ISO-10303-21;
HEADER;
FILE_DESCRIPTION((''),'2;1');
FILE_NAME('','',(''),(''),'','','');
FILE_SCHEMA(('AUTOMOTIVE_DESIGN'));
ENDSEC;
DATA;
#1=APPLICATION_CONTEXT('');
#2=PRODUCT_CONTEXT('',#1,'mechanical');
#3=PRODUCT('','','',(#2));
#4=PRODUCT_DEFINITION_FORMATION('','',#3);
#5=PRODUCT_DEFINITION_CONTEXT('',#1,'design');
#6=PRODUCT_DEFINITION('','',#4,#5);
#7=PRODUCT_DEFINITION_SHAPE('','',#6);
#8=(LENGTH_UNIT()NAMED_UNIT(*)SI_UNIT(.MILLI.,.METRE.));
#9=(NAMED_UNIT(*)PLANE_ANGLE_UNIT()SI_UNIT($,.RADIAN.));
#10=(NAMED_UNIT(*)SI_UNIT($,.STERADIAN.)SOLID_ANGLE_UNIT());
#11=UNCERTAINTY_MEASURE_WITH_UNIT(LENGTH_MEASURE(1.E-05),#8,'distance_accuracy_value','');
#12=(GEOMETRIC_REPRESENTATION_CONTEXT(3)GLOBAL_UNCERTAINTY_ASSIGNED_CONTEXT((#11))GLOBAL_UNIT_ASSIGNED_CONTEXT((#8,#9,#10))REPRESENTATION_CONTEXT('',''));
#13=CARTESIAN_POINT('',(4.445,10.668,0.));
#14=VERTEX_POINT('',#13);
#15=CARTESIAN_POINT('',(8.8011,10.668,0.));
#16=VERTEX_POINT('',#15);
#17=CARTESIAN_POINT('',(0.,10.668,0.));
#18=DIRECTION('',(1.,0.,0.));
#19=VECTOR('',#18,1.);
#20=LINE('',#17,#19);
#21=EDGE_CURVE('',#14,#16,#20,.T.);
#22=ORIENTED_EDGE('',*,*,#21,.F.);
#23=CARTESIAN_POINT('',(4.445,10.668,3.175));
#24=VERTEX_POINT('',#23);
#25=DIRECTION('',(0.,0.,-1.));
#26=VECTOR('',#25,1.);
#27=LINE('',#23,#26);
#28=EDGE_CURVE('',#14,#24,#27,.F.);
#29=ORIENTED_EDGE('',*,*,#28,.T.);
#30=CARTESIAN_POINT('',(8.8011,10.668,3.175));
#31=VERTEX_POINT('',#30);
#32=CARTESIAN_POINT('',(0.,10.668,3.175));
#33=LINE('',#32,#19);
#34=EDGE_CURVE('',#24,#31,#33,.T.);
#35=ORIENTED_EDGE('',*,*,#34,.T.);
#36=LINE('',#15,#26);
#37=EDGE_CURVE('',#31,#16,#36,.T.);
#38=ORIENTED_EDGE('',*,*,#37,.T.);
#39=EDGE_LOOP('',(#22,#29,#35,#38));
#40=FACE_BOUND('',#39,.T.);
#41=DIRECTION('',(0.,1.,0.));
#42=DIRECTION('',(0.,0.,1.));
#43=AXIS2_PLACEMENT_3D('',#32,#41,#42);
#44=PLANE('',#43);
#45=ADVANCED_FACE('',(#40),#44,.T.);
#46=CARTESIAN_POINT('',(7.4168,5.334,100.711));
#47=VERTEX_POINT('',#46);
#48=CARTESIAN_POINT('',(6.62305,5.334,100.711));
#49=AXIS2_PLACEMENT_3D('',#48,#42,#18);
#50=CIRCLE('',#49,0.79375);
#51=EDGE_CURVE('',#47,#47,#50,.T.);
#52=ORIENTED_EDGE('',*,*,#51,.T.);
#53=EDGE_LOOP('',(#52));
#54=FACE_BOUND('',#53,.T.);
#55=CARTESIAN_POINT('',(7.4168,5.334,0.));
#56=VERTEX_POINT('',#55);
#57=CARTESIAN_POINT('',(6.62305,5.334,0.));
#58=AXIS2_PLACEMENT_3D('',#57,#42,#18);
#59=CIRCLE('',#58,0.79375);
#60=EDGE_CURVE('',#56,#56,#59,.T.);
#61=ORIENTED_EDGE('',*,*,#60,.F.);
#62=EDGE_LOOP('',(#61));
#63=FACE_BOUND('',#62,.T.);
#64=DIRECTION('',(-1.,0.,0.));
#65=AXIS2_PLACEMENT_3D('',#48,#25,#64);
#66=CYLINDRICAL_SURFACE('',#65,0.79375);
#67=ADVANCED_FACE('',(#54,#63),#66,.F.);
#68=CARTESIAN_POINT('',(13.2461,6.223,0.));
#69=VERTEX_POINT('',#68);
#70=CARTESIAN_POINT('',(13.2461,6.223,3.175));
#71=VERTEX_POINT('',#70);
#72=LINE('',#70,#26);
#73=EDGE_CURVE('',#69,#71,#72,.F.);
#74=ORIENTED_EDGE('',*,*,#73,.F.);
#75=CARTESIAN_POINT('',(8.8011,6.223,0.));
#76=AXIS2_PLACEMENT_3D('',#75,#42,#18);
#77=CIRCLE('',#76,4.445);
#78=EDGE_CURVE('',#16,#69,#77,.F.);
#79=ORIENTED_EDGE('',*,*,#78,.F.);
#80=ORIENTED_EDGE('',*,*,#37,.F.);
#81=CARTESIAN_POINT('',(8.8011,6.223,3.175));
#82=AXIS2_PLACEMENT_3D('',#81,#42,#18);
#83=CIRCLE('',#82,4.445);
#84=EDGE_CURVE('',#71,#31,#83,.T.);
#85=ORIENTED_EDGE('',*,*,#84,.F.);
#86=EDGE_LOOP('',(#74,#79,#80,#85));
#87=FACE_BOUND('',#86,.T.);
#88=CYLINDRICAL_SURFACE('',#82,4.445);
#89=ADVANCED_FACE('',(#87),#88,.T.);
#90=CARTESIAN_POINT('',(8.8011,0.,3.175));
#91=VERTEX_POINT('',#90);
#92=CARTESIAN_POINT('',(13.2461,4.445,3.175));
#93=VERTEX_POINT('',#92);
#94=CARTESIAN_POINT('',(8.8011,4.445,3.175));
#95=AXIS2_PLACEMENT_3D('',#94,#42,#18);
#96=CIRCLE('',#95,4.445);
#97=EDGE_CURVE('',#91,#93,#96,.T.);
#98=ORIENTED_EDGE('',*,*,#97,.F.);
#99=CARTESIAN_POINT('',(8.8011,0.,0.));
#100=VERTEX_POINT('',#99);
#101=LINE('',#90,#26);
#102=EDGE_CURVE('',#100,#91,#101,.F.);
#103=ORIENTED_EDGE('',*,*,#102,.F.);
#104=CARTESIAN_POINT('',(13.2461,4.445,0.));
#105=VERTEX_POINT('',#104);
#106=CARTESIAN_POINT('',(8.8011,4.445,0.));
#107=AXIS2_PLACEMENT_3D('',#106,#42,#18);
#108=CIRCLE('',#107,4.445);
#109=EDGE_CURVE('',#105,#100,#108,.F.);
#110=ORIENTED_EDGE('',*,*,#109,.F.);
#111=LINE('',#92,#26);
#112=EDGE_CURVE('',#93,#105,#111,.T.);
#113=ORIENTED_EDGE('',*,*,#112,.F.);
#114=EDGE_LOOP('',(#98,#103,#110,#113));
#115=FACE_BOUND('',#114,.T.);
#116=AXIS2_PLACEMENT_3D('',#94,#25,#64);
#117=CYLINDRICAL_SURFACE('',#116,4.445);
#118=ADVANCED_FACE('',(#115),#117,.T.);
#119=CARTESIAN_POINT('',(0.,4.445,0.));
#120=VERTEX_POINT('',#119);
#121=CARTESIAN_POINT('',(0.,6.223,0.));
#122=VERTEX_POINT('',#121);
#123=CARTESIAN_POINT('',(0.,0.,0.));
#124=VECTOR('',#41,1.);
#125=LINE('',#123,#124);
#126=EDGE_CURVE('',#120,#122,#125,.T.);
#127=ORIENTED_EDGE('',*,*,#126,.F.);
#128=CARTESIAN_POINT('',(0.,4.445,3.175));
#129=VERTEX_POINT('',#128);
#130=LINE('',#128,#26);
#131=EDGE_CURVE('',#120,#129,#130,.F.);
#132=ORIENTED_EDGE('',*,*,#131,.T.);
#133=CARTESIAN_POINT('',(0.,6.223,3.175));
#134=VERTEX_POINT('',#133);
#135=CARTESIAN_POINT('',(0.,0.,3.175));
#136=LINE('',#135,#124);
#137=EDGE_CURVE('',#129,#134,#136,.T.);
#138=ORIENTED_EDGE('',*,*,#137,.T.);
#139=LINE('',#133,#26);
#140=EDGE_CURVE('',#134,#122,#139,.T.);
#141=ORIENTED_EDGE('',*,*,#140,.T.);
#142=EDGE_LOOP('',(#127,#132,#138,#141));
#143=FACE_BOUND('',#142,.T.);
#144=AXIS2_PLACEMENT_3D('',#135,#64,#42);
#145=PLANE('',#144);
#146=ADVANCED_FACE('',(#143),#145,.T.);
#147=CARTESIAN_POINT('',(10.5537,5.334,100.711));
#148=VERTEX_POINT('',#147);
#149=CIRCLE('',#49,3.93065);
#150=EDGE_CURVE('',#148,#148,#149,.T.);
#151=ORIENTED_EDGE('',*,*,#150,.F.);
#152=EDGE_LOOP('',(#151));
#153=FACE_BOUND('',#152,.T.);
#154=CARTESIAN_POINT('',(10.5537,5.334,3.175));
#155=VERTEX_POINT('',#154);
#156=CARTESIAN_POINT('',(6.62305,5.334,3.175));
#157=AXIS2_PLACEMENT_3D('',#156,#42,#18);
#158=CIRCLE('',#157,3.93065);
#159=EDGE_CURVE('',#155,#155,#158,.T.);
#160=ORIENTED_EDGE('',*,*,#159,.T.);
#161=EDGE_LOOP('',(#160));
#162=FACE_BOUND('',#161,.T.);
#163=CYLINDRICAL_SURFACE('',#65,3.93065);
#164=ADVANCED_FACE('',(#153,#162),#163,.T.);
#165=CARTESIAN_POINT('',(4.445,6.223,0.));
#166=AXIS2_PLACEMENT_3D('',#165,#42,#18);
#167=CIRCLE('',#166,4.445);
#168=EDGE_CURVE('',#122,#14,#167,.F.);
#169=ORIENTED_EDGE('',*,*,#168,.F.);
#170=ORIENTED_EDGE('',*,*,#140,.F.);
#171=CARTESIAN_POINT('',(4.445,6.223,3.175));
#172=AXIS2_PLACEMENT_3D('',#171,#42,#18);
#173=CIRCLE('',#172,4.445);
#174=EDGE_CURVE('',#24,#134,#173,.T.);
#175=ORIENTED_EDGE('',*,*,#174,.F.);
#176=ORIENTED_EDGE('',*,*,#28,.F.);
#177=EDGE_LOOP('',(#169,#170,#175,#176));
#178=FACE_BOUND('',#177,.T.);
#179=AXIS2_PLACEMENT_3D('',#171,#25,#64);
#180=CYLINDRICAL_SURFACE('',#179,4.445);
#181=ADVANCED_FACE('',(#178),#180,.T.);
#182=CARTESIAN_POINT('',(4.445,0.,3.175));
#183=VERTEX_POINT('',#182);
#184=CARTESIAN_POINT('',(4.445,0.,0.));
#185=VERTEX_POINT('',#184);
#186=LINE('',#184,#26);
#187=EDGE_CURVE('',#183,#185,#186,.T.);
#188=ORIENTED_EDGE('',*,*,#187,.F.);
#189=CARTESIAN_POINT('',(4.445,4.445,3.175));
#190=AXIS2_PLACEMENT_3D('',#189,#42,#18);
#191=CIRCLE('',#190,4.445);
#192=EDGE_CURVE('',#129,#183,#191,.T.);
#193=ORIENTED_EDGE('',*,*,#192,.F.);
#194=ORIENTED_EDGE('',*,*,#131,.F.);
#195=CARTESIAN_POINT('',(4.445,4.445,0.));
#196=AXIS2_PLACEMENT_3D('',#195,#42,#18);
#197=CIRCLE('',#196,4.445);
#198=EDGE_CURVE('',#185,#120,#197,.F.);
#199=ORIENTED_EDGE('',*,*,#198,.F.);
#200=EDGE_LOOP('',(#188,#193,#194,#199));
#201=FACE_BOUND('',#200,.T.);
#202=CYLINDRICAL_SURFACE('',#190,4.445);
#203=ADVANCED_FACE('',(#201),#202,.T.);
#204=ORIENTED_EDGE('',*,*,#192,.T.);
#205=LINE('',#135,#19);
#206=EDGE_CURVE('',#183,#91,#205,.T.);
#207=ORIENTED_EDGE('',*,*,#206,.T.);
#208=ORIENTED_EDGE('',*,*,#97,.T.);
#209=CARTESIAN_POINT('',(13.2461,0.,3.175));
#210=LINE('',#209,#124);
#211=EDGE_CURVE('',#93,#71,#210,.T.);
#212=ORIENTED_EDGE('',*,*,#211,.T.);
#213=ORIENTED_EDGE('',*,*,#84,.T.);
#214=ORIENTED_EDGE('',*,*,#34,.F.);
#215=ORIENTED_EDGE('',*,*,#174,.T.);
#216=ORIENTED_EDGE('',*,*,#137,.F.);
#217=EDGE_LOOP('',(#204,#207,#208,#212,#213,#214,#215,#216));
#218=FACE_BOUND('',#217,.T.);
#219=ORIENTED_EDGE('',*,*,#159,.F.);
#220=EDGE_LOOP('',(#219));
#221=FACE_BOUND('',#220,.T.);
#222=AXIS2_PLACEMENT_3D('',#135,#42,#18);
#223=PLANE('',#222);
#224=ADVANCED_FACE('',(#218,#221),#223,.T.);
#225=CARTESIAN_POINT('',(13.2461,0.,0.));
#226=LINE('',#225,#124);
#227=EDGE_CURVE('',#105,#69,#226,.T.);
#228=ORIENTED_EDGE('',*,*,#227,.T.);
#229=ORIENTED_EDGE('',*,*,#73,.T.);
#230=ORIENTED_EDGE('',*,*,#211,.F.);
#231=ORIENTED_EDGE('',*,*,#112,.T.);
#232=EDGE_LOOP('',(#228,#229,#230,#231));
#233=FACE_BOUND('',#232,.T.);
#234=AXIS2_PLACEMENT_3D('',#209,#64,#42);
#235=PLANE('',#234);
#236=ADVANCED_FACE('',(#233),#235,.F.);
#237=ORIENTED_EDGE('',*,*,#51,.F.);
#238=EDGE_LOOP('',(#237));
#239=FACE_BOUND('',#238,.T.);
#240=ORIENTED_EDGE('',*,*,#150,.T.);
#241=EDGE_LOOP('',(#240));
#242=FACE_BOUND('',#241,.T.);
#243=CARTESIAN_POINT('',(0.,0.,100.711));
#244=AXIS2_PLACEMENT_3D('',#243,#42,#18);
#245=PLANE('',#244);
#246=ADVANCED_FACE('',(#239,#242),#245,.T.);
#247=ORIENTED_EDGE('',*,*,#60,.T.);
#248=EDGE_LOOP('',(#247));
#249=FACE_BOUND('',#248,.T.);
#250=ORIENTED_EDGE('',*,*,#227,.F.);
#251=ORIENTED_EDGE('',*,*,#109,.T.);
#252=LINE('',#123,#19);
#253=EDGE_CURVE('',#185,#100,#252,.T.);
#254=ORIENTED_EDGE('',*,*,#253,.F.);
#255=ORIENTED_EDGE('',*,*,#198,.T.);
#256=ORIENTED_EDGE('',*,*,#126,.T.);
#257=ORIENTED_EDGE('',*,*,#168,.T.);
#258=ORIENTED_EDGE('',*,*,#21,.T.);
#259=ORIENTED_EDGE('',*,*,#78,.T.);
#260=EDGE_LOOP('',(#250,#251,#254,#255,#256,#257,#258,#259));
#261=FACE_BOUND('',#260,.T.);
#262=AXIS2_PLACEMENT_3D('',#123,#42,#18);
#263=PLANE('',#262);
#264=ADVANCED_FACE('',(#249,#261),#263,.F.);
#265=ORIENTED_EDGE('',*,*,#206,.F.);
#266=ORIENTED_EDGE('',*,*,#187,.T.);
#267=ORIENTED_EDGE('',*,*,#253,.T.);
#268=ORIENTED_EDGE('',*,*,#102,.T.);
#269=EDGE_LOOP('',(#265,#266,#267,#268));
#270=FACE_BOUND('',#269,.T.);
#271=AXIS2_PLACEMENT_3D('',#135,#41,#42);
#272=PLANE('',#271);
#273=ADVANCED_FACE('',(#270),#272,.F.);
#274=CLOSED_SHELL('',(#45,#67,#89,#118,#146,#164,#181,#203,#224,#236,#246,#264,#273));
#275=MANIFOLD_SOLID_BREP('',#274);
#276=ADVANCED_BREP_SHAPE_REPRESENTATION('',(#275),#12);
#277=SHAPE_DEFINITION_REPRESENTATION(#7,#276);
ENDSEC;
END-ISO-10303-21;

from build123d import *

# Parameters (mm, degrees)
SKETCH1_W           = 13.2461
SKETCH1_H           = 10.668
SKETCH1_R           = 3.93065
BOSS_EXTRUDE1_DEPTH = 3.175
SKETCH1_2_R         = 3.93065
SKETCH1_2_R_2       = 0.79375
BOSS_EXTRUDE2_DEPTH = 100.711
FILLET1_R           = 4.445


with BuildPart() as part:
    # Sketch1 → Boss-Extrude1 (new body)
    with BuildSketch(Plane.XY):
        with Locations((6.62305, 5.334)):
            Rectangle(SKETCH1_W, SKETCH1_H)
        with Locations((6.62305, 5.334)):
            Circle(SKETCH1_R, mode=Mode.SUBTRACT)
    extrude(amount=BOSS_EXTRUDE1_DEPTH)

    # Sketch1<2> → Boss-Extrude2 (add)
    with BuildSketch(Plane.XY):
        with Locations((6.62305, 5.334)):
            Circle(SKETCH1_2_R)
        with Locations((6.62305, 5.334)):
            Circle(SKETCH1_2_R_2, mode=Mode.SUBTRACT)
    extrude(amount=BOSS_EXTRUDE2_DEPTH)

    # Fillet1
    fillet1_edges = [part.edges().sort_by_distance(p)[0] for p in [
        (0, 0, 1.5875),
        (0, 10.668, 1.5875),
        (13.2461, 10.668, 1.5875),
        (13.2461, 0, 1.5875),
    ]]
    fillet(fillet1_edges, radius=FILLET1_R)


solid = part.part
